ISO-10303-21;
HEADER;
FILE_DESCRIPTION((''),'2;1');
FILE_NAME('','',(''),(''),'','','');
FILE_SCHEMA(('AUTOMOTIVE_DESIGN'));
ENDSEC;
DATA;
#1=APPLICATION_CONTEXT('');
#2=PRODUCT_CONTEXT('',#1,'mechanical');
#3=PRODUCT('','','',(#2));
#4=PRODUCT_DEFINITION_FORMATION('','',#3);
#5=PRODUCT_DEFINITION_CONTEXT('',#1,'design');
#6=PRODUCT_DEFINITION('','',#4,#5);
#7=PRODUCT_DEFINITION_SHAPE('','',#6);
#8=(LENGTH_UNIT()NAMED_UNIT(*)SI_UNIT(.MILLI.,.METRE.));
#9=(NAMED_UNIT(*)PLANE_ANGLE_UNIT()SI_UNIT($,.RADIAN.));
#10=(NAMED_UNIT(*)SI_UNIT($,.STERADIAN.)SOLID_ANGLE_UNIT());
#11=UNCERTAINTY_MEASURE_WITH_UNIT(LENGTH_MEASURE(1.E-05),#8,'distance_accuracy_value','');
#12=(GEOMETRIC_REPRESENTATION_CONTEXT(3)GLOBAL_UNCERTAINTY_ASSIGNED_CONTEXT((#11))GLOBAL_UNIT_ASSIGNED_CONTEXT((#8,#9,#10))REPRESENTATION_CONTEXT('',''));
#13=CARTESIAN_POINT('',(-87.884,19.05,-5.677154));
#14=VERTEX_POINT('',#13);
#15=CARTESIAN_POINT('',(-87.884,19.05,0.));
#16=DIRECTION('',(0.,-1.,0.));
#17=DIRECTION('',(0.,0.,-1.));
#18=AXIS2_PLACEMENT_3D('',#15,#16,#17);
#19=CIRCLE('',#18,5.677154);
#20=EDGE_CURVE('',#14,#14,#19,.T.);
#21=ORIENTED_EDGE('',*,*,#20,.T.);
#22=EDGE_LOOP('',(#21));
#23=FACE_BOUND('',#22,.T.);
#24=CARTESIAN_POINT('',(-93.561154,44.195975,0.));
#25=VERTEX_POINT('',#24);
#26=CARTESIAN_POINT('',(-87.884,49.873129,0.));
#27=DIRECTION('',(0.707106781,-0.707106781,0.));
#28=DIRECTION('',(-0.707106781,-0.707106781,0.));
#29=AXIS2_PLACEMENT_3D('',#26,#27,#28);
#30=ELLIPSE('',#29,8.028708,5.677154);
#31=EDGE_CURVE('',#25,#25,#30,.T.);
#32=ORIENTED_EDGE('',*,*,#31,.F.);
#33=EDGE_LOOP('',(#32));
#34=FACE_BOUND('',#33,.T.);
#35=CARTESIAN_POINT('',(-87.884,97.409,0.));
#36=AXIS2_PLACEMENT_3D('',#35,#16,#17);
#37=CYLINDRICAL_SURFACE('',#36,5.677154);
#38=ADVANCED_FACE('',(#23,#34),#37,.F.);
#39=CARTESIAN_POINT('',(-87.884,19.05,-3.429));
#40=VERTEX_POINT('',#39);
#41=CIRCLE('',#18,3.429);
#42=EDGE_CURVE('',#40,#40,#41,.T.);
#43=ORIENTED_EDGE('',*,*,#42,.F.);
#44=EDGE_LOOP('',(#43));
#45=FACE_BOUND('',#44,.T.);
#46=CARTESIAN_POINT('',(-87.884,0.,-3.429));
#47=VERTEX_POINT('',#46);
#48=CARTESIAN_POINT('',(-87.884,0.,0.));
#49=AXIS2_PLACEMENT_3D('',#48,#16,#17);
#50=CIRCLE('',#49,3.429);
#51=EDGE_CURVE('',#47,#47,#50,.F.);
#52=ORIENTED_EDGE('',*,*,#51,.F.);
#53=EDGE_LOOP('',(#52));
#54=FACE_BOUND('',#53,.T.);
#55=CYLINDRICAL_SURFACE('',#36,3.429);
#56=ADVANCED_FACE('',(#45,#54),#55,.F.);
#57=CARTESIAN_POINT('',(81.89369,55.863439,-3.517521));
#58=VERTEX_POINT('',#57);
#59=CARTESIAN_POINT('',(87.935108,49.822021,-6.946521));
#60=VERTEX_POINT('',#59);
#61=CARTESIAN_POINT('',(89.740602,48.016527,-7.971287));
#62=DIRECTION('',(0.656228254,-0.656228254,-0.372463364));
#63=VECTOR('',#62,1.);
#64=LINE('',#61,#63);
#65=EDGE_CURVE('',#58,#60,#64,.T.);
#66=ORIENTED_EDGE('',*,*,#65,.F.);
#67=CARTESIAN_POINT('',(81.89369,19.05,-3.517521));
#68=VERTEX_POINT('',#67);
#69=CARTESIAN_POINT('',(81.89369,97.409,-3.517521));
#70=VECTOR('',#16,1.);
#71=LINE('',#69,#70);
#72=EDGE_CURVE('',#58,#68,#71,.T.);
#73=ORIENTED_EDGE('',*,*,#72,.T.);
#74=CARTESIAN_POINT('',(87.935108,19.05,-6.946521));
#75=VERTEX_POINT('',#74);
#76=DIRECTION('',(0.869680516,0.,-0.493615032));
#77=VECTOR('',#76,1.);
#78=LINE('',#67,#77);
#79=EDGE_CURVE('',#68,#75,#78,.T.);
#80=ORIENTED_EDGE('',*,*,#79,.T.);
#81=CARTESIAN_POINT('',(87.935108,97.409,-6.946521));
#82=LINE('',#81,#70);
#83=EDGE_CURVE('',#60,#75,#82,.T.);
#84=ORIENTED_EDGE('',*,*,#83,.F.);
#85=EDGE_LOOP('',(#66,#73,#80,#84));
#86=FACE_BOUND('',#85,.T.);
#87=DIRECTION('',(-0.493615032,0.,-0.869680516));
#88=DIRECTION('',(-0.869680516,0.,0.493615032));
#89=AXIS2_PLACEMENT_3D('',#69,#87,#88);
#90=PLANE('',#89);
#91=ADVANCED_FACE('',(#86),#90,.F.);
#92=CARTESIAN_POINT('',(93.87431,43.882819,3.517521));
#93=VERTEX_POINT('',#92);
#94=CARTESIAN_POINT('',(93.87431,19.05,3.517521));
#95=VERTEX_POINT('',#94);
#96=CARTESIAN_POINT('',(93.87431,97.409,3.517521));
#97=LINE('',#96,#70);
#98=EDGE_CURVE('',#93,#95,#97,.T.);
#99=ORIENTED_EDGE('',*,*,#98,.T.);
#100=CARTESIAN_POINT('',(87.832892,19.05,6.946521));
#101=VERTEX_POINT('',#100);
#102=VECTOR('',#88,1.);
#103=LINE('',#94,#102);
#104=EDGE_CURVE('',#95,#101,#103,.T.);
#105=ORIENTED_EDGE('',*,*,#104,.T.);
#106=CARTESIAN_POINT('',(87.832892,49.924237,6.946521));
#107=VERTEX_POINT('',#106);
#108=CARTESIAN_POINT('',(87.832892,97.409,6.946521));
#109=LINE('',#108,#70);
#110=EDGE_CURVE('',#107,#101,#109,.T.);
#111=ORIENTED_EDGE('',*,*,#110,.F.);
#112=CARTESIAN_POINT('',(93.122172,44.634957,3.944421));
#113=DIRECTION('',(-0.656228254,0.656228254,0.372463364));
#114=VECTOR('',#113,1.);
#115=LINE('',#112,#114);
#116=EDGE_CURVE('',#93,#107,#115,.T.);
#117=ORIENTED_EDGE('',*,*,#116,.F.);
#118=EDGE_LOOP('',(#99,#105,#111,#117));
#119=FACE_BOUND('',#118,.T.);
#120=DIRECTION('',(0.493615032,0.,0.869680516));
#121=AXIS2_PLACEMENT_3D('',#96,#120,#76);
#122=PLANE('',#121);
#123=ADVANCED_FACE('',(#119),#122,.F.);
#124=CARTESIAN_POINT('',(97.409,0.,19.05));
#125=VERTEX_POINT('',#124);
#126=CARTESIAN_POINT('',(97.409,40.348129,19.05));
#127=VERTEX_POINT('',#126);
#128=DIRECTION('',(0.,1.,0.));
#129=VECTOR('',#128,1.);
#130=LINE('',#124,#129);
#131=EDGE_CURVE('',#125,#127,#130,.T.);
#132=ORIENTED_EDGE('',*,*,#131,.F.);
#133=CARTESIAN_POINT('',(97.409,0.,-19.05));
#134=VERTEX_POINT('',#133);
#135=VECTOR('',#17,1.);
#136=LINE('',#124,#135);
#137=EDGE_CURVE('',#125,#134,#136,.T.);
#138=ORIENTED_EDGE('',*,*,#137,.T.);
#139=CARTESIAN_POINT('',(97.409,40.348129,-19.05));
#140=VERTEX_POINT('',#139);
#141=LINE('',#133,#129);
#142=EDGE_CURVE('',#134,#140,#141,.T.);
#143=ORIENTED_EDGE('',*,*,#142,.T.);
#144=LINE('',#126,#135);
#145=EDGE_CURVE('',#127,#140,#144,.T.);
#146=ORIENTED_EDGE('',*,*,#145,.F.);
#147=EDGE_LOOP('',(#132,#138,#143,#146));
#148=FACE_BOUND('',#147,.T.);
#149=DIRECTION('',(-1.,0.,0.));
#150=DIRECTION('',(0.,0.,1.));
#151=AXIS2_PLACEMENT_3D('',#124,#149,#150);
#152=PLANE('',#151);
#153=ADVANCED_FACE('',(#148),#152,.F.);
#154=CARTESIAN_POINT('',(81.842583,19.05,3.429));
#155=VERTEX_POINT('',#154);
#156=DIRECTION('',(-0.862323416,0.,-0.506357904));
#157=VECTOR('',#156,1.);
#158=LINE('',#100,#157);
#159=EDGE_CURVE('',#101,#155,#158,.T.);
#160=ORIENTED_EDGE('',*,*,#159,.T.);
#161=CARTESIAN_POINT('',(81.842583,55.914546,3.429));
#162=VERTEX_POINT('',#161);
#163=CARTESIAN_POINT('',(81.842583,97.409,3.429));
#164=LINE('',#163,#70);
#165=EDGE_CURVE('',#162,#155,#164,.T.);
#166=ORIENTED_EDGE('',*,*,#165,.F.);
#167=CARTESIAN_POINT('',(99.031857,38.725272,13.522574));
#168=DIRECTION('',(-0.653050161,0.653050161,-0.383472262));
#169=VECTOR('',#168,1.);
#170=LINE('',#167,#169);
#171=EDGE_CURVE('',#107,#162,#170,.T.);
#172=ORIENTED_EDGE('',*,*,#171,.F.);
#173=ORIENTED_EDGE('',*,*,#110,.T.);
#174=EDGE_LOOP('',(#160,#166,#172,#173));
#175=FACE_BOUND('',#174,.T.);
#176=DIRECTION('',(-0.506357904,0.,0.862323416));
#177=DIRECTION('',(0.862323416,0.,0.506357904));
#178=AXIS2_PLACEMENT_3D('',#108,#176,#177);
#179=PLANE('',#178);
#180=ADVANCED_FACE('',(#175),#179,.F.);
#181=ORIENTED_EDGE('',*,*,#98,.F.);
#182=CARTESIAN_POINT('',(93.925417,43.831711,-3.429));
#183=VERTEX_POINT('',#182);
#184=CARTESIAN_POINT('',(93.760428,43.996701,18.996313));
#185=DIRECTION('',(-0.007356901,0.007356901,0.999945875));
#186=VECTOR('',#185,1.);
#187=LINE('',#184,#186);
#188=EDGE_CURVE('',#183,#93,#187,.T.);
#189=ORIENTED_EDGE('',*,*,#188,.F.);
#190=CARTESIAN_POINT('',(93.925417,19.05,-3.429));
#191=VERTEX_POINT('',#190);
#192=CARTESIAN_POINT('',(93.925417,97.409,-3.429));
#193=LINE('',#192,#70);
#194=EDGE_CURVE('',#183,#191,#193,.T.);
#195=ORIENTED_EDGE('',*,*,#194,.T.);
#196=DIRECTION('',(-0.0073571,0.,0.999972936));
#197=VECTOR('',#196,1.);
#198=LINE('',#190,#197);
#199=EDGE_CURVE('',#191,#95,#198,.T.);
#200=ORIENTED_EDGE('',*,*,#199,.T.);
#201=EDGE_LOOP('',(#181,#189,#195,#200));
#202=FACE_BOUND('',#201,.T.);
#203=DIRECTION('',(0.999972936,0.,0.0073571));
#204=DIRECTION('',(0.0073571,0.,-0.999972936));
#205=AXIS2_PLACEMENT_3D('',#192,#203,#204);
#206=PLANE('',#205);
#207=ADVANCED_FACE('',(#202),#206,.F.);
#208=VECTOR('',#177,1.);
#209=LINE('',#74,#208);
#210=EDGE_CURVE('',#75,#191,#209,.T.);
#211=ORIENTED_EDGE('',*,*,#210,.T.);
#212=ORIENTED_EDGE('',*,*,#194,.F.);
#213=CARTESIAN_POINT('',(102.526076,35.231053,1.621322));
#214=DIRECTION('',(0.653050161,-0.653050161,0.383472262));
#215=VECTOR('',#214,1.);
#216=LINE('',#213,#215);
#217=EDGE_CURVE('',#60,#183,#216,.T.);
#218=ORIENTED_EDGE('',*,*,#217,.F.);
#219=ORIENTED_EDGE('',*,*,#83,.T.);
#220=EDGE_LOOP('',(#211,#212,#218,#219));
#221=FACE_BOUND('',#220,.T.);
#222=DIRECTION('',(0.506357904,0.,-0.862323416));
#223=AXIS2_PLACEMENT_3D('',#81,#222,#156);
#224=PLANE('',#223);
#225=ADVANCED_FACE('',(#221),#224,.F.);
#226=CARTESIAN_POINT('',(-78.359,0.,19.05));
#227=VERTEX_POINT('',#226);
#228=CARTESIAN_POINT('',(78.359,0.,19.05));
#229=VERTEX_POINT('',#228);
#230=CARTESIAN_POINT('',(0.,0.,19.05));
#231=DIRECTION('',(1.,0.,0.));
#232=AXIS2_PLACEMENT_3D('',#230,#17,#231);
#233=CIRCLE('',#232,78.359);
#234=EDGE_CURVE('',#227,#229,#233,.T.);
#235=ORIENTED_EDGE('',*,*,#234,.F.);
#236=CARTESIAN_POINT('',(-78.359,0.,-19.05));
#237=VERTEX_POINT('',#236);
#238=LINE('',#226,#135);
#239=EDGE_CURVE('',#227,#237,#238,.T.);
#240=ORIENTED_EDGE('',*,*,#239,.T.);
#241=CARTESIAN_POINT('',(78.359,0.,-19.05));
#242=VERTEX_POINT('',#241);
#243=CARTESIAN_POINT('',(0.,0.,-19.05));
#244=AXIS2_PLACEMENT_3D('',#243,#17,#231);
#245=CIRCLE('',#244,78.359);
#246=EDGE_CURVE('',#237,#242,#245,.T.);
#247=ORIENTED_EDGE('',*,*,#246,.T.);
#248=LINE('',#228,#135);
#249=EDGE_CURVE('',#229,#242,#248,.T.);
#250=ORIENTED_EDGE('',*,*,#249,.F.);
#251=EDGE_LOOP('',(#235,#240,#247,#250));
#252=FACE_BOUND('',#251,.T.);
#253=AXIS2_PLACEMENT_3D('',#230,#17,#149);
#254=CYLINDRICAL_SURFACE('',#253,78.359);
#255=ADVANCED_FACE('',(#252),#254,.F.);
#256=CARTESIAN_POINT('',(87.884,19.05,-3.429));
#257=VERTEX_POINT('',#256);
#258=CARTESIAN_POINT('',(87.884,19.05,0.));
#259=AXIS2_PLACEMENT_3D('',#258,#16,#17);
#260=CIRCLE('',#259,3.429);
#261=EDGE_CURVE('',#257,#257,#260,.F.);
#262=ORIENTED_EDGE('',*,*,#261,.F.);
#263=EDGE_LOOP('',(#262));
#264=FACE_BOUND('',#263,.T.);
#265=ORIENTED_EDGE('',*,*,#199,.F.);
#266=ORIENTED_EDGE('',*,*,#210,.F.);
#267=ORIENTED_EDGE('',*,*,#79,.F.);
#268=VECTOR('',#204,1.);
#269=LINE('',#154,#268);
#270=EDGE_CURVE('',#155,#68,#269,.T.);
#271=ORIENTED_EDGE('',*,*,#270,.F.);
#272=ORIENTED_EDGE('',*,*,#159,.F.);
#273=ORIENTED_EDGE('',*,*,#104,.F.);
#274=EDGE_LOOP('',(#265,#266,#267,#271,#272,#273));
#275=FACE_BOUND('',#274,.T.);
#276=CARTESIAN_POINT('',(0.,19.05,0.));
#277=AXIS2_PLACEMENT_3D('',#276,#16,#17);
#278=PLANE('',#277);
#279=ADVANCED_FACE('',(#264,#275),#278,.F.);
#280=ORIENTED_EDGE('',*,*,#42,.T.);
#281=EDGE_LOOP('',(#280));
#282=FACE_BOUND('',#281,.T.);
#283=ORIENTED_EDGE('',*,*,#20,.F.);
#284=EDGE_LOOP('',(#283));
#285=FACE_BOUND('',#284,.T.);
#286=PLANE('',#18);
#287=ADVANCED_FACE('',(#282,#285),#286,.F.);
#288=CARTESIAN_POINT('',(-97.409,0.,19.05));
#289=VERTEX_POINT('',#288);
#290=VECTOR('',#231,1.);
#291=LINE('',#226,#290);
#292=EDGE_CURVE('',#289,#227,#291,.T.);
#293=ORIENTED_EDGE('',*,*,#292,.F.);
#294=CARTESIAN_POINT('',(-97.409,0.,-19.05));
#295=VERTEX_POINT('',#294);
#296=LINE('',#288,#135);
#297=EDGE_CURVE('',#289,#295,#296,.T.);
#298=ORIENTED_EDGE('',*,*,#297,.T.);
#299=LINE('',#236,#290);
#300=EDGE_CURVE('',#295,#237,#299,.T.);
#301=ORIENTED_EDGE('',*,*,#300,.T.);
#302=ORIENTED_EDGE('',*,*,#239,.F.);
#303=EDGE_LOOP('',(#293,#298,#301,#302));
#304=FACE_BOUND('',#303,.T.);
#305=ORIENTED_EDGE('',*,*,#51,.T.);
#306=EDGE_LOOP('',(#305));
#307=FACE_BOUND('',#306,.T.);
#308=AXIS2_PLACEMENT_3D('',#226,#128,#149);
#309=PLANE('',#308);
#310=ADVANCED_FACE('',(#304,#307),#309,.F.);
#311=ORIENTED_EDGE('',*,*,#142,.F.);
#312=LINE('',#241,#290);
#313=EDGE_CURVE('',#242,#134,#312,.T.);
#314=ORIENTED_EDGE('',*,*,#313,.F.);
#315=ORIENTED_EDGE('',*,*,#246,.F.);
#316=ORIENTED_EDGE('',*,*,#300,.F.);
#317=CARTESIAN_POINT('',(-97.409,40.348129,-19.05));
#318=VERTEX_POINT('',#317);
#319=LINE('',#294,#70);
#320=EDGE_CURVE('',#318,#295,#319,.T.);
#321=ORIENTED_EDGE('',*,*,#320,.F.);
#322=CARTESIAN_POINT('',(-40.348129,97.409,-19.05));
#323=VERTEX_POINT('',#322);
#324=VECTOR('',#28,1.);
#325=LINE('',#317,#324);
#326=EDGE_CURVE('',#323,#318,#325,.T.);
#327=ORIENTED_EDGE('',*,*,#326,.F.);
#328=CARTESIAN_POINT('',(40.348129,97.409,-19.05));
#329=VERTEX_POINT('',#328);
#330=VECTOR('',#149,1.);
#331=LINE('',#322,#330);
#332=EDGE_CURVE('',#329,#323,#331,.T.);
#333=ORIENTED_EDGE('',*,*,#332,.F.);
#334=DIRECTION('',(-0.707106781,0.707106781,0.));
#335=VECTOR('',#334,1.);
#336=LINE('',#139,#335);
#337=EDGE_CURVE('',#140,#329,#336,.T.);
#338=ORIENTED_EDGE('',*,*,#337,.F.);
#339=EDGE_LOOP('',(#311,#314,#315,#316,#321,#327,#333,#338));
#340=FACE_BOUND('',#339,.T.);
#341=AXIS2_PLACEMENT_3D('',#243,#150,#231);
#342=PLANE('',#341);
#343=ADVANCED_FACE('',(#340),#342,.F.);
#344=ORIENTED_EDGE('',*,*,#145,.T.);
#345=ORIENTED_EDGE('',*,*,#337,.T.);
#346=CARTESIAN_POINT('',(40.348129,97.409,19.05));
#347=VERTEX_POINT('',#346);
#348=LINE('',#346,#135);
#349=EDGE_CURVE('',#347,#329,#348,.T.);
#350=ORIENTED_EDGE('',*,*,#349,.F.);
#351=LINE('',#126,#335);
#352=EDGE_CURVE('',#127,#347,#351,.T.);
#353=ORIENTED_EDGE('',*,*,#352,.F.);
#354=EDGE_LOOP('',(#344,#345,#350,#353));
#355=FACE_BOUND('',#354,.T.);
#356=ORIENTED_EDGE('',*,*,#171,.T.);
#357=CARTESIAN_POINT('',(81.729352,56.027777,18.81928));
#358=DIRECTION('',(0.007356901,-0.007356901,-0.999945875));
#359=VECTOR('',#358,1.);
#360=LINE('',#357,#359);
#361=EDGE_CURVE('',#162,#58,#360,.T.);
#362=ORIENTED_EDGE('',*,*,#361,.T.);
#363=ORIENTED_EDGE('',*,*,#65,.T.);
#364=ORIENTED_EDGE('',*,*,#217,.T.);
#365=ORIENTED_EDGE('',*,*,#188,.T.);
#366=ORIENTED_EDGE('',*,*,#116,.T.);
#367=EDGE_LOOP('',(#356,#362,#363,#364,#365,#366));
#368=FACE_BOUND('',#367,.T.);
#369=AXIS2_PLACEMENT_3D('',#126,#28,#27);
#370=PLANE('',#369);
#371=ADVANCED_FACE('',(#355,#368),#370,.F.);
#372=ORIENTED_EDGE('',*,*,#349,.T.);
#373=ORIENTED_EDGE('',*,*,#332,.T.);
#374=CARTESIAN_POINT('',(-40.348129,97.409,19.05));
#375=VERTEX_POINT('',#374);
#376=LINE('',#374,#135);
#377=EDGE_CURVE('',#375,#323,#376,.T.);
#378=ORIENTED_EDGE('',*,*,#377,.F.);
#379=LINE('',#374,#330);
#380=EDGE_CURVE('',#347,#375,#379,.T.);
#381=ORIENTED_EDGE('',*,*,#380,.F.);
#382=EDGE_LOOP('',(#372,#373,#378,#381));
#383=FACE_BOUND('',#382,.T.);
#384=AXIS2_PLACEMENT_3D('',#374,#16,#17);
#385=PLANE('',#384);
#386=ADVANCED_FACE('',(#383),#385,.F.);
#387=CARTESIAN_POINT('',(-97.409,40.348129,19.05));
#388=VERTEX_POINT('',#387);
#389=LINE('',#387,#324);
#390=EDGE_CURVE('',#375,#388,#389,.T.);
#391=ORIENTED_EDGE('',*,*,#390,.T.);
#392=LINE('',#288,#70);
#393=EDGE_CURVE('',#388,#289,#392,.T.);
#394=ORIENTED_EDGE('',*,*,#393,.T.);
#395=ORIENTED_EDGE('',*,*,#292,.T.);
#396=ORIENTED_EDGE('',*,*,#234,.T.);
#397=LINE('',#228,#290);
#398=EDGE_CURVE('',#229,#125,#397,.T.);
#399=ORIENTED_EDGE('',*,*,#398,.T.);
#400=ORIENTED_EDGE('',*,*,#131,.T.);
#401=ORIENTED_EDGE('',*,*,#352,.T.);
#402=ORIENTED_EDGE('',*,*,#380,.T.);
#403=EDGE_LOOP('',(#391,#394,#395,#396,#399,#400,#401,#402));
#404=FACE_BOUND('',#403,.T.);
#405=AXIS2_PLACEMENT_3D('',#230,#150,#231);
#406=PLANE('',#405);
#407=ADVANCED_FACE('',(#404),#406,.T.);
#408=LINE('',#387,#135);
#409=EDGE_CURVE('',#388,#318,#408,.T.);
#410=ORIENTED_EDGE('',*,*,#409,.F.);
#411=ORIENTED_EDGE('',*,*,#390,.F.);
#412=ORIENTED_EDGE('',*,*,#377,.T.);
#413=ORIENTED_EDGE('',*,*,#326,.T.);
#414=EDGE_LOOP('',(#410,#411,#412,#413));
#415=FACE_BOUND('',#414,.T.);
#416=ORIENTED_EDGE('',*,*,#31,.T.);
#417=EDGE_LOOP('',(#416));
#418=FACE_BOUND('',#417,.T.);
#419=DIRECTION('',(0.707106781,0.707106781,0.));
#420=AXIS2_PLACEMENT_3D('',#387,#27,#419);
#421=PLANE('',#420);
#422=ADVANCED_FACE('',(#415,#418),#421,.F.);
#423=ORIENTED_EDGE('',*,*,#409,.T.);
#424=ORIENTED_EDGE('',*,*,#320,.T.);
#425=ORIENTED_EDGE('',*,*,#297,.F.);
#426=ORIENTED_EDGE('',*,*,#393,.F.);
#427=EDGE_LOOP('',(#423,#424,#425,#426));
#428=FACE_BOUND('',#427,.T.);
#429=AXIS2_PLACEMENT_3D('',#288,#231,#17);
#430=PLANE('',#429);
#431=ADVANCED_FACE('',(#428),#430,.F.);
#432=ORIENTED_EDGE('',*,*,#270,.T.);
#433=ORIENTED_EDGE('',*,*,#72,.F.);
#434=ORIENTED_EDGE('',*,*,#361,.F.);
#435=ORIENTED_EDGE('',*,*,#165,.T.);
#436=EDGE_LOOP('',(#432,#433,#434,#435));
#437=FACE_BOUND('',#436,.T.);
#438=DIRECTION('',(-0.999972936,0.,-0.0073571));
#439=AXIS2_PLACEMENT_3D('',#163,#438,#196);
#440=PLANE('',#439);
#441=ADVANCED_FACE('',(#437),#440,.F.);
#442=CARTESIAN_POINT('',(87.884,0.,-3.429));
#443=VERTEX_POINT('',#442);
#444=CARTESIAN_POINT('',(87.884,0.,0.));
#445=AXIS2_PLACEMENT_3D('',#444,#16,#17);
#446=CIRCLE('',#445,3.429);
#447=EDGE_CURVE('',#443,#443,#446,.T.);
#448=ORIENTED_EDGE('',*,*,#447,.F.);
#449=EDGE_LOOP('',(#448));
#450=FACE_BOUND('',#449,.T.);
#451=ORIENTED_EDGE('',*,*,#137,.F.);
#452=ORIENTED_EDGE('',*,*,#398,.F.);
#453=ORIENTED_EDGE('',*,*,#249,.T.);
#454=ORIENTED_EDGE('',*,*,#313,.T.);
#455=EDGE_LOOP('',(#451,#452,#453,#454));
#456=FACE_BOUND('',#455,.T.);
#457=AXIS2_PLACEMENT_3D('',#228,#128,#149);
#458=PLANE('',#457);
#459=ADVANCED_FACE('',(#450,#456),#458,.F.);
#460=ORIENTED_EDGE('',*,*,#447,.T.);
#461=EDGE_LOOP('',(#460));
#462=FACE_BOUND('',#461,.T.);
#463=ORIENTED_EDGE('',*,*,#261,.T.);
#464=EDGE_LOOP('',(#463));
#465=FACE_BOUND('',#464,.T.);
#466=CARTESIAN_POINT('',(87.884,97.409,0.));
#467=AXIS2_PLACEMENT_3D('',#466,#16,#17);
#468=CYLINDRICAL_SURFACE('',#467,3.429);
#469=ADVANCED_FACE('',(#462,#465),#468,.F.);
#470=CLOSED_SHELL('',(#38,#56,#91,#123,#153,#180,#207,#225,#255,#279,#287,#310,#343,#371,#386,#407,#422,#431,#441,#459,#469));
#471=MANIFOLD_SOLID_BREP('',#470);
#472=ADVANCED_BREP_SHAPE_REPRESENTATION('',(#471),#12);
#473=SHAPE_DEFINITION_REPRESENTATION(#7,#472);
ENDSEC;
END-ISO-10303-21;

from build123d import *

# Parameters (mm, degrees)
BOSS_EXTRUDE1_DEPTH = 19.05
SKETCH2_R           = 3.429
CUT_EXTRUDE2_DEPTH  = 98.409
SKETCH4_R           = 5.677154031
CUT_EXTRUDE3_DEPTH  = 79.359


with BuildPart() as part:
    # Sketch1 → Boss-Extrude1 (new body, symmetric)
    with BuildSketch(Plane.XY):
        with BuildLine():
            Line((-78.359, 0), (-97.409, 0))
            Line((-97.409, 0), (-97.409, 40.348128897))
            Line((-97.409, 40.348128897), (-40.348128897, 97.409))
            Line((-40.348128897, 97.409), (40.348128897, 97.409))
            Line((40.348128897, 97.409), (97.409, 40.348128897))
            Line((97.409, 40.348128897), (97.409, 0))
            Line((97.409, 0), (78.359, 0))
            ThreePointArc((78.359, 0), (0, 78.359), (-78.359, 0))
        make_face()
    extrude(amount=BOSS_EXTRUDE1_DEPTH, both=True)

    # Sketch2 → Cut-Extrude2 (cut, through all)
    with BuildSketch(Plane.XZ):
        with Locations((87.884, 0)):
            Circle(SKETCH2_R)
        with Locations((-87.884, 0)):
            Circle(SKETCH2_R)
    extrude(amount=-CUT_EXTRUDE2_DEPTH, mode=Mode.SUBTRACT)

    # Sketch4 → Cut-Extrude3 (cut, through all)
    with BuildSketch(Plane(origin=(0, 19.05, 0), x_dir=(-1, 0, 0), z_dir=(0, -1, 0))):
        with Locations((87.884, 0)):
            Circle(SKETCH4_R)
        Polygon((-93.925417492, 3.429), (-93.874309855, -3.517521023), (-87.832892364, -6.946521023), (-81.842582508, -3.429), (-81.893690145, 3.517521023), (-87.935107636, 6.946521023), align=None)
    extrude(amount=-CUT_EXTRUDE3_DEPTH, mode=Mode.SUBTRACT)


solid = part.part
